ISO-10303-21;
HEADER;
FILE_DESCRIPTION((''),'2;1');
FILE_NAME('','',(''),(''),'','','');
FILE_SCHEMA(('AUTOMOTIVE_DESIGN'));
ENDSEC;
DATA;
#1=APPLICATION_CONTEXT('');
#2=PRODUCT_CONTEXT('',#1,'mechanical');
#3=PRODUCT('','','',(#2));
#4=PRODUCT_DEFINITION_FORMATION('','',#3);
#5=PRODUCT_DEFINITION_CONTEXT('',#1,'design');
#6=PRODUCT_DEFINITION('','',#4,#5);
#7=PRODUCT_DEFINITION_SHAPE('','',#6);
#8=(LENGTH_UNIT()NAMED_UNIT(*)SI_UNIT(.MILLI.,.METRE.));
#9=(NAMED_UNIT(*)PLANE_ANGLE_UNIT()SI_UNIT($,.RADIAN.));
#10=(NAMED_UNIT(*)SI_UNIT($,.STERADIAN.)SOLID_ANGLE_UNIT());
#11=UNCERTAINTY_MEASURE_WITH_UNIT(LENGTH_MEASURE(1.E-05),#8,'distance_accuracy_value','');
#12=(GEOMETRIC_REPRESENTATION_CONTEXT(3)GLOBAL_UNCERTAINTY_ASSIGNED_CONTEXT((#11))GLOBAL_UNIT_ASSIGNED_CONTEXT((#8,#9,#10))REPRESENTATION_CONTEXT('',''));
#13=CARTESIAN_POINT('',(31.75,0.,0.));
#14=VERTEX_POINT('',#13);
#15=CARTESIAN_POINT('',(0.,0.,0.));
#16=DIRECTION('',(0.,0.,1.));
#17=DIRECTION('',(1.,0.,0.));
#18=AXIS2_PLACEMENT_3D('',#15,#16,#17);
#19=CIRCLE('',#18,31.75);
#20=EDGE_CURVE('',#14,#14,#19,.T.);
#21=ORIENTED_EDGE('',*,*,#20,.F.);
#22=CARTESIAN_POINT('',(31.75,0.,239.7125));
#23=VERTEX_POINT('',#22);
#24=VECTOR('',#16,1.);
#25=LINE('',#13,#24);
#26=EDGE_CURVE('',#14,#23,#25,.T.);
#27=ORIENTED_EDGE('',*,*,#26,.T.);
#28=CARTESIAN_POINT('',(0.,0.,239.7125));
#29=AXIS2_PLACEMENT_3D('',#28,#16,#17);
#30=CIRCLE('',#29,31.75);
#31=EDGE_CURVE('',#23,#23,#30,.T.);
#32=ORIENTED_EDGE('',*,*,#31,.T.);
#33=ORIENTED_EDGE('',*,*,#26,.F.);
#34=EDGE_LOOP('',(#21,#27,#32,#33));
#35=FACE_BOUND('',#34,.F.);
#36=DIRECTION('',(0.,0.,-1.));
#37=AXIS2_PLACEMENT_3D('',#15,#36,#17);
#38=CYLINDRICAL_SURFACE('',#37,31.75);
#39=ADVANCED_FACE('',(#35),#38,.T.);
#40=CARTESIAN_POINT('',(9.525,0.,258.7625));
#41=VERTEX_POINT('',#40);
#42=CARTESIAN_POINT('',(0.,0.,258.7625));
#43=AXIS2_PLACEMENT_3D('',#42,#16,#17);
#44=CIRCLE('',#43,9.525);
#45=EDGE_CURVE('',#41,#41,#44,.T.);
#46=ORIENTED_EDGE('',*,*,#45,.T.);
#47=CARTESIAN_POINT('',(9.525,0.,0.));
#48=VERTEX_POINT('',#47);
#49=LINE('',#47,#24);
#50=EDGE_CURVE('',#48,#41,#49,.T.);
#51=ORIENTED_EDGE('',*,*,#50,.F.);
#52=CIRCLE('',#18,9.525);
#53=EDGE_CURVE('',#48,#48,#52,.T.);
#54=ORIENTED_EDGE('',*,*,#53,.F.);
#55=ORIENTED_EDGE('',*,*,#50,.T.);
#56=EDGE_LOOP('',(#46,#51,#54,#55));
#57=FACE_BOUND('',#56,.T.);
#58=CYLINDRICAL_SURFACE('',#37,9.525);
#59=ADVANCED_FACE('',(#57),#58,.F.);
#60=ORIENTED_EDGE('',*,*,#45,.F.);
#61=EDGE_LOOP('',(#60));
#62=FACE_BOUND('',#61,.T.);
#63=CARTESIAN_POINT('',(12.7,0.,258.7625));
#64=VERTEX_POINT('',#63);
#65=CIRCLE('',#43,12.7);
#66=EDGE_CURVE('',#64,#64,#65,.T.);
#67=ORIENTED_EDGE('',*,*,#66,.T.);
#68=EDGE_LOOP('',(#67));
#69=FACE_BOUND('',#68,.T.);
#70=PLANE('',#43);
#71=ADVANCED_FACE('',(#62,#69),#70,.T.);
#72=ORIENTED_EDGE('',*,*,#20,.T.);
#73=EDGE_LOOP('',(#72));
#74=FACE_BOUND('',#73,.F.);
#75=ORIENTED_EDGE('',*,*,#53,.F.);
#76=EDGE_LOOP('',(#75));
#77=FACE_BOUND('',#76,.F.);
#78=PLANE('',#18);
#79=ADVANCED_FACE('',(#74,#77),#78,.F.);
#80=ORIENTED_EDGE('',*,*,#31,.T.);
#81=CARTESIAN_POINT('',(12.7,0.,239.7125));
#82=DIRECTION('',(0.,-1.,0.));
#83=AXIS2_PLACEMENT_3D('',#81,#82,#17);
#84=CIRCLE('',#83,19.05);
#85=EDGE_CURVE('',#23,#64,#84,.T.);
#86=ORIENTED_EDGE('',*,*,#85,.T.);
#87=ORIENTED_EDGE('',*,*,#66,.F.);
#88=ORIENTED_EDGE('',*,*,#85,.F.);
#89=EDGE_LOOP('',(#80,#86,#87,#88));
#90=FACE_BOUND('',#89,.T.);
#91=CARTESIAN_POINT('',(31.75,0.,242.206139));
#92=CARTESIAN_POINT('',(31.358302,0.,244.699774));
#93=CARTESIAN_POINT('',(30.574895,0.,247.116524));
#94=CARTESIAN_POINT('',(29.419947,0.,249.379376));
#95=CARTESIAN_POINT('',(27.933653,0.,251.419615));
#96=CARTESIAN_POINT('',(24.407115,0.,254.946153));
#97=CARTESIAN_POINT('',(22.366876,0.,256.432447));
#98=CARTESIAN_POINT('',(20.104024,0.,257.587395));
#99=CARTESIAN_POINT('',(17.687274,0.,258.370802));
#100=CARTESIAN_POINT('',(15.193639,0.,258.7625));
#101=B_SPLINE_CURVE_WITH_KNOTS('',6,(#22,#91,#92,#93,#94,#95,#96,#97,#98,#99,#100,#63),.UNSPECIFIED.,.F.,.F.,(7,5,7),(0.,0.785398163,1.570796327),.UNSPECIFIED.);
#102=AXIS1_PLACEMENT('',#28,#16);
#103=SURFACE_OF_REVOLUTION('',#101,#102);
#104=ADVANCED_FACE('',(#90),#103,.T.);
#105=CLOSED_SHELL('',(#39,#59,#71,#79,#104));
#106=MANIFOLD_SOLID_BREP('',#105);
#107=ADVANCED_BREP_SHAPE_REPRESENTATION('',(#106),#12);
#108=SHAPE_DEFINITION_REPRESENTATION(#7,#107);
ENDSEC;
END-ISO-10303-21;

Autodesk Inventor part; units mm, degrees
ref_plane "YZ Plane" through (0, 0, 0) normal (1, 0, 0) x (0, 1, 0)
ref_plane "XZ Plane" through (0, 0, 0) normal (0, 1, 0) x (-1, 0, 0)
ref_plane "XY Plane" through (0, 0, 0) normal (0, 0, 1) x (1, 0, 0)
sketch "Sketch1" plane through (0, 0, 0) normal (0, 0, 1) x (1, 0, 0)
  circle A0 centre (0, 0) radius 31.75
  circle A1 centre (0, 0) radius 9.525
  dimension "d0" = 63.5
  dimension "d1" = 19.05
extrude "Extrusion1" add sketch "Sketch1" along normal blind 258.7625
fillet "Fillet1" radius 19.05 1 edges at (-31.75, 0, 258.7625)
properties part number "Pool Noodle Part3 (24x28 robot)"
